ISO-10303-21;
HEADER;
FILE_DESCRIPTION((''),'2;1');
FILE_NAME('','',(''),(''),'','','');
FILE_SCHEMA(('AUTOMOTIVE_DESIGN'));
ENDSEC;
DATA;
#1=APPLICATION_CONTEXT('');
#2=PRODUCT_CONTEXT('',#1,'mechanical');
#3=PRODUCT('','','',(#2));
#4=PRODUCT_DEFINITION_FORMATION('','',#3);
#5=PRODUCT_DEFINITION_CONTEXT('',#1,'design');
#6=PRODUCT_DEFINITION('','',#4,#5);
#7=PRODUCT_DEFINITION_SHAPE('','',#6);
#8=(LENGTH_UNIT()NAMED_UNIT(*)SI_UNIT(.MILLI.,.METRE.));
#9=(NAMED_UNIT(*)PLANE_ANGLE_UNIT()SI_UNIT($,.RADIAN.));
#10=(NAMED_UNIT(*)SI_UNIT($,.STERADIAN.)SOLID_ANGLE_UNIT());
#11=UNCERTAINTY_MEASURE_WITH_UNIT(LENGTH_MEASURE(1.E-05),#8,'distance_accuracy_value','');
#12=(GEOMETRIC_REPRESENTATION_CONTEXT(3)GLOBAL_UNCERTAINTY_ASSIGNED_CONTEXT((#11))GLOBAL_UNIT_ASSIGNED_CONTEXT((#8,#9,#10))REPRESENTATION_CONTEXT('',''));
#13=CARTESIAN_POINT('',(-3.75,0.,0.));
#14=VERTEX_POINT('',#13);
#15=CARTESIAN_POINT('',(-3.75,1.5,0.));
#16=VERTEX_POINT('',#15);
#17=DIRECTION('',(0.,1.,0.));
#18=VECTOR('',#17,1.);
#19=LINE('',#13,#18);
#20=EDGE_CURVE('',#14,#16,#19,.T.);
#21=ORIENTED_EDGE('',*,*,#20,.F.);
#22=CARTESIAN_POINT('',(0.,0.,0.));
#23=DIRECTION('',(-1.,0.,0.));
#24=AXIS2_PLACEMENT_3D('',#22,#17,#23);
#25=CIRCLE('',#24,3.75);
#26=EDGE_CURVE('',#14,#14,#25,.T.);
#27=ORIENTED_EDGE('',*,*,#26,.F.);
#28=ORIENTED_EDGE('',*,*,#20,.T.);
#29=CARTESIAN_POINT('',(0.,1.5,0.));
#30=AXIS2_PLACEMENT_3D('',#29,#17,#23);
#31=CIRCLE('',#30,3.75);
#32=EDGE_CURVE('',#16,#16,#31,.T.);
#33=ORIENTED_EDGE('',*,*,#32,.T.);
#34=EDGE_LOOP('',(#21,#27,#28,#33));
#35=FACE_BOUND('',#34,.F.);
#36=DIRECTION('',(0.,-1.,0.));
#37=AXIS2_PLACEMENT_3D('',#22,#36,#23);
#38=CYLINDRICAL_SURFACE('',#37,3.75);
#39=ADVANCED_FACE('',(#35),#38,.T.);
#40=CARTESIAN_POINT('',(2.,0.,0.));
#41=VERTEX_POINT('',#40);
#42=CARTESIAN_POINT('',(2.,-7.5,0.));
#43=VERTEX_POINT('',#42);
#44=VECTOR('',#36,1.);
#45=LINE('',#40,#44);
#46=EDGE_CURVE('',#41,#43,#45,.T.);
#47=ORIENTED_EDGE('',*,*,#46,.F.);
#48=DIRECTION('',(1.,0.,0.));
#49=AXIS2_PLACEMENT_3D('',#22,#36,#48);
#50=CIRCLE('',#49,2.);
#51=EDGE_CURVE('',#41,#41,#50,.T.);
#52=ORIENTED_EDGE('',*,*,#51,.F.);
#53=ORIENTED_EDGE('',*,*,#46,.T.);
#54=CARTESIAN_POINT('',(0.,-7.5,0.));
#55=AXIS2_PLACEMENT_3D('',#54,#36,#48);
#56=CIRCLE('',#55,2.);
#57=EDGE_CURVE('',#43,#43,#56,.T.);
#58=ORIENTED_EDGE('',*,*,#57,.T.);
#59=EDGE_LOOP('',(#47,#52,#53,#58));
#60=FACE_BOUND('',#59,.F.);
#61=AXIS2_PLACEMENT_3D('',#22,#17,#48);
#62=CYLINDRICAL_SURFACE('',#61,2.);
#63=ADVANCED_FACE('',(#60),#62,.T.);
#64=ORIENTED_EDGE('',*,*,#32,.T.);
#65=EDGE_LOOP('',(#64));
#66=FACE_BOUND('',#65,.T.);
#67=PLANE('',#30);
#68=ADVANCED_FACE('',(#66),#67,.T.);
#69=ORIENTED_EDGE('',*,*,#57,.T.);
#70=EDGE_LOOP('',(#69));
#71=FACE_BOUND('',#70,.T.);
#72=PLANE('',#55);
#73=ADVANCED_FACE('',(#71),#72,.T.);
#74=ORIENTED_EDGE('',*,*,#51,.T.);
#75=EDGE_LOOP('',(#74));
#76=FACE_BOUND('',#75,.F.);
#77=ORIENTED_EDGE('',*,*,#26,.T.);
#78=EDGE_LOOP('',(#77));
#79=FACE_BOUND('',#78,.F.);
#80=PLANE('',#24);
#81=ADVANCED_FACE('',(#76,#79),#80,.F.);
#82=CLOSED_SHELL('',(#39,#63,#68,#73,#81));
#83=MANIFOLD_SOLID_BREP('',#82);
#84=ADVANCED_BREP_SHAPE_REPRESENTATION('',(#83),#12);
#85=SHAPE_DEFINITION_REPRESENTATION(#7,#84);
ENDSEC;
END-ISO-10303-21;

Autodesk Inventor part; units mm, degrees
ref_plane "YZ Plane" through (0, 0, 0) normal (1, 0, 0) x (0, 1, 0)
ref_plane "XZ Plane" through (0, 0, 0) normal (0, 1, 0) x (-1, 0, 0)
ref_plane "XY Plane" through (0, 0, 0) normal (0, 0, 1) x (1, 0, 0)
sketch "Sketch1" plane through (0, 0, 0) normal (0, 1, 0) x (-1, 0, 0)
  circle A0 centre (0, 0) radius 3.75
  dimension "d0" = 7.5
extrude "Extrusion1" add sketch "Sketch1" along normal blind 1.5
sketch "Sketch2" plane through (0, 0, 0) normal (0, -1, 0) x (1, 0, 0)
  circle A0 centre (0, 0) radius 2
  dimension "d3" = 4
extrude "Extrusion2" add sketch "Sketch2" along normal blind 7.5
properties part number "Kolv knapp"
